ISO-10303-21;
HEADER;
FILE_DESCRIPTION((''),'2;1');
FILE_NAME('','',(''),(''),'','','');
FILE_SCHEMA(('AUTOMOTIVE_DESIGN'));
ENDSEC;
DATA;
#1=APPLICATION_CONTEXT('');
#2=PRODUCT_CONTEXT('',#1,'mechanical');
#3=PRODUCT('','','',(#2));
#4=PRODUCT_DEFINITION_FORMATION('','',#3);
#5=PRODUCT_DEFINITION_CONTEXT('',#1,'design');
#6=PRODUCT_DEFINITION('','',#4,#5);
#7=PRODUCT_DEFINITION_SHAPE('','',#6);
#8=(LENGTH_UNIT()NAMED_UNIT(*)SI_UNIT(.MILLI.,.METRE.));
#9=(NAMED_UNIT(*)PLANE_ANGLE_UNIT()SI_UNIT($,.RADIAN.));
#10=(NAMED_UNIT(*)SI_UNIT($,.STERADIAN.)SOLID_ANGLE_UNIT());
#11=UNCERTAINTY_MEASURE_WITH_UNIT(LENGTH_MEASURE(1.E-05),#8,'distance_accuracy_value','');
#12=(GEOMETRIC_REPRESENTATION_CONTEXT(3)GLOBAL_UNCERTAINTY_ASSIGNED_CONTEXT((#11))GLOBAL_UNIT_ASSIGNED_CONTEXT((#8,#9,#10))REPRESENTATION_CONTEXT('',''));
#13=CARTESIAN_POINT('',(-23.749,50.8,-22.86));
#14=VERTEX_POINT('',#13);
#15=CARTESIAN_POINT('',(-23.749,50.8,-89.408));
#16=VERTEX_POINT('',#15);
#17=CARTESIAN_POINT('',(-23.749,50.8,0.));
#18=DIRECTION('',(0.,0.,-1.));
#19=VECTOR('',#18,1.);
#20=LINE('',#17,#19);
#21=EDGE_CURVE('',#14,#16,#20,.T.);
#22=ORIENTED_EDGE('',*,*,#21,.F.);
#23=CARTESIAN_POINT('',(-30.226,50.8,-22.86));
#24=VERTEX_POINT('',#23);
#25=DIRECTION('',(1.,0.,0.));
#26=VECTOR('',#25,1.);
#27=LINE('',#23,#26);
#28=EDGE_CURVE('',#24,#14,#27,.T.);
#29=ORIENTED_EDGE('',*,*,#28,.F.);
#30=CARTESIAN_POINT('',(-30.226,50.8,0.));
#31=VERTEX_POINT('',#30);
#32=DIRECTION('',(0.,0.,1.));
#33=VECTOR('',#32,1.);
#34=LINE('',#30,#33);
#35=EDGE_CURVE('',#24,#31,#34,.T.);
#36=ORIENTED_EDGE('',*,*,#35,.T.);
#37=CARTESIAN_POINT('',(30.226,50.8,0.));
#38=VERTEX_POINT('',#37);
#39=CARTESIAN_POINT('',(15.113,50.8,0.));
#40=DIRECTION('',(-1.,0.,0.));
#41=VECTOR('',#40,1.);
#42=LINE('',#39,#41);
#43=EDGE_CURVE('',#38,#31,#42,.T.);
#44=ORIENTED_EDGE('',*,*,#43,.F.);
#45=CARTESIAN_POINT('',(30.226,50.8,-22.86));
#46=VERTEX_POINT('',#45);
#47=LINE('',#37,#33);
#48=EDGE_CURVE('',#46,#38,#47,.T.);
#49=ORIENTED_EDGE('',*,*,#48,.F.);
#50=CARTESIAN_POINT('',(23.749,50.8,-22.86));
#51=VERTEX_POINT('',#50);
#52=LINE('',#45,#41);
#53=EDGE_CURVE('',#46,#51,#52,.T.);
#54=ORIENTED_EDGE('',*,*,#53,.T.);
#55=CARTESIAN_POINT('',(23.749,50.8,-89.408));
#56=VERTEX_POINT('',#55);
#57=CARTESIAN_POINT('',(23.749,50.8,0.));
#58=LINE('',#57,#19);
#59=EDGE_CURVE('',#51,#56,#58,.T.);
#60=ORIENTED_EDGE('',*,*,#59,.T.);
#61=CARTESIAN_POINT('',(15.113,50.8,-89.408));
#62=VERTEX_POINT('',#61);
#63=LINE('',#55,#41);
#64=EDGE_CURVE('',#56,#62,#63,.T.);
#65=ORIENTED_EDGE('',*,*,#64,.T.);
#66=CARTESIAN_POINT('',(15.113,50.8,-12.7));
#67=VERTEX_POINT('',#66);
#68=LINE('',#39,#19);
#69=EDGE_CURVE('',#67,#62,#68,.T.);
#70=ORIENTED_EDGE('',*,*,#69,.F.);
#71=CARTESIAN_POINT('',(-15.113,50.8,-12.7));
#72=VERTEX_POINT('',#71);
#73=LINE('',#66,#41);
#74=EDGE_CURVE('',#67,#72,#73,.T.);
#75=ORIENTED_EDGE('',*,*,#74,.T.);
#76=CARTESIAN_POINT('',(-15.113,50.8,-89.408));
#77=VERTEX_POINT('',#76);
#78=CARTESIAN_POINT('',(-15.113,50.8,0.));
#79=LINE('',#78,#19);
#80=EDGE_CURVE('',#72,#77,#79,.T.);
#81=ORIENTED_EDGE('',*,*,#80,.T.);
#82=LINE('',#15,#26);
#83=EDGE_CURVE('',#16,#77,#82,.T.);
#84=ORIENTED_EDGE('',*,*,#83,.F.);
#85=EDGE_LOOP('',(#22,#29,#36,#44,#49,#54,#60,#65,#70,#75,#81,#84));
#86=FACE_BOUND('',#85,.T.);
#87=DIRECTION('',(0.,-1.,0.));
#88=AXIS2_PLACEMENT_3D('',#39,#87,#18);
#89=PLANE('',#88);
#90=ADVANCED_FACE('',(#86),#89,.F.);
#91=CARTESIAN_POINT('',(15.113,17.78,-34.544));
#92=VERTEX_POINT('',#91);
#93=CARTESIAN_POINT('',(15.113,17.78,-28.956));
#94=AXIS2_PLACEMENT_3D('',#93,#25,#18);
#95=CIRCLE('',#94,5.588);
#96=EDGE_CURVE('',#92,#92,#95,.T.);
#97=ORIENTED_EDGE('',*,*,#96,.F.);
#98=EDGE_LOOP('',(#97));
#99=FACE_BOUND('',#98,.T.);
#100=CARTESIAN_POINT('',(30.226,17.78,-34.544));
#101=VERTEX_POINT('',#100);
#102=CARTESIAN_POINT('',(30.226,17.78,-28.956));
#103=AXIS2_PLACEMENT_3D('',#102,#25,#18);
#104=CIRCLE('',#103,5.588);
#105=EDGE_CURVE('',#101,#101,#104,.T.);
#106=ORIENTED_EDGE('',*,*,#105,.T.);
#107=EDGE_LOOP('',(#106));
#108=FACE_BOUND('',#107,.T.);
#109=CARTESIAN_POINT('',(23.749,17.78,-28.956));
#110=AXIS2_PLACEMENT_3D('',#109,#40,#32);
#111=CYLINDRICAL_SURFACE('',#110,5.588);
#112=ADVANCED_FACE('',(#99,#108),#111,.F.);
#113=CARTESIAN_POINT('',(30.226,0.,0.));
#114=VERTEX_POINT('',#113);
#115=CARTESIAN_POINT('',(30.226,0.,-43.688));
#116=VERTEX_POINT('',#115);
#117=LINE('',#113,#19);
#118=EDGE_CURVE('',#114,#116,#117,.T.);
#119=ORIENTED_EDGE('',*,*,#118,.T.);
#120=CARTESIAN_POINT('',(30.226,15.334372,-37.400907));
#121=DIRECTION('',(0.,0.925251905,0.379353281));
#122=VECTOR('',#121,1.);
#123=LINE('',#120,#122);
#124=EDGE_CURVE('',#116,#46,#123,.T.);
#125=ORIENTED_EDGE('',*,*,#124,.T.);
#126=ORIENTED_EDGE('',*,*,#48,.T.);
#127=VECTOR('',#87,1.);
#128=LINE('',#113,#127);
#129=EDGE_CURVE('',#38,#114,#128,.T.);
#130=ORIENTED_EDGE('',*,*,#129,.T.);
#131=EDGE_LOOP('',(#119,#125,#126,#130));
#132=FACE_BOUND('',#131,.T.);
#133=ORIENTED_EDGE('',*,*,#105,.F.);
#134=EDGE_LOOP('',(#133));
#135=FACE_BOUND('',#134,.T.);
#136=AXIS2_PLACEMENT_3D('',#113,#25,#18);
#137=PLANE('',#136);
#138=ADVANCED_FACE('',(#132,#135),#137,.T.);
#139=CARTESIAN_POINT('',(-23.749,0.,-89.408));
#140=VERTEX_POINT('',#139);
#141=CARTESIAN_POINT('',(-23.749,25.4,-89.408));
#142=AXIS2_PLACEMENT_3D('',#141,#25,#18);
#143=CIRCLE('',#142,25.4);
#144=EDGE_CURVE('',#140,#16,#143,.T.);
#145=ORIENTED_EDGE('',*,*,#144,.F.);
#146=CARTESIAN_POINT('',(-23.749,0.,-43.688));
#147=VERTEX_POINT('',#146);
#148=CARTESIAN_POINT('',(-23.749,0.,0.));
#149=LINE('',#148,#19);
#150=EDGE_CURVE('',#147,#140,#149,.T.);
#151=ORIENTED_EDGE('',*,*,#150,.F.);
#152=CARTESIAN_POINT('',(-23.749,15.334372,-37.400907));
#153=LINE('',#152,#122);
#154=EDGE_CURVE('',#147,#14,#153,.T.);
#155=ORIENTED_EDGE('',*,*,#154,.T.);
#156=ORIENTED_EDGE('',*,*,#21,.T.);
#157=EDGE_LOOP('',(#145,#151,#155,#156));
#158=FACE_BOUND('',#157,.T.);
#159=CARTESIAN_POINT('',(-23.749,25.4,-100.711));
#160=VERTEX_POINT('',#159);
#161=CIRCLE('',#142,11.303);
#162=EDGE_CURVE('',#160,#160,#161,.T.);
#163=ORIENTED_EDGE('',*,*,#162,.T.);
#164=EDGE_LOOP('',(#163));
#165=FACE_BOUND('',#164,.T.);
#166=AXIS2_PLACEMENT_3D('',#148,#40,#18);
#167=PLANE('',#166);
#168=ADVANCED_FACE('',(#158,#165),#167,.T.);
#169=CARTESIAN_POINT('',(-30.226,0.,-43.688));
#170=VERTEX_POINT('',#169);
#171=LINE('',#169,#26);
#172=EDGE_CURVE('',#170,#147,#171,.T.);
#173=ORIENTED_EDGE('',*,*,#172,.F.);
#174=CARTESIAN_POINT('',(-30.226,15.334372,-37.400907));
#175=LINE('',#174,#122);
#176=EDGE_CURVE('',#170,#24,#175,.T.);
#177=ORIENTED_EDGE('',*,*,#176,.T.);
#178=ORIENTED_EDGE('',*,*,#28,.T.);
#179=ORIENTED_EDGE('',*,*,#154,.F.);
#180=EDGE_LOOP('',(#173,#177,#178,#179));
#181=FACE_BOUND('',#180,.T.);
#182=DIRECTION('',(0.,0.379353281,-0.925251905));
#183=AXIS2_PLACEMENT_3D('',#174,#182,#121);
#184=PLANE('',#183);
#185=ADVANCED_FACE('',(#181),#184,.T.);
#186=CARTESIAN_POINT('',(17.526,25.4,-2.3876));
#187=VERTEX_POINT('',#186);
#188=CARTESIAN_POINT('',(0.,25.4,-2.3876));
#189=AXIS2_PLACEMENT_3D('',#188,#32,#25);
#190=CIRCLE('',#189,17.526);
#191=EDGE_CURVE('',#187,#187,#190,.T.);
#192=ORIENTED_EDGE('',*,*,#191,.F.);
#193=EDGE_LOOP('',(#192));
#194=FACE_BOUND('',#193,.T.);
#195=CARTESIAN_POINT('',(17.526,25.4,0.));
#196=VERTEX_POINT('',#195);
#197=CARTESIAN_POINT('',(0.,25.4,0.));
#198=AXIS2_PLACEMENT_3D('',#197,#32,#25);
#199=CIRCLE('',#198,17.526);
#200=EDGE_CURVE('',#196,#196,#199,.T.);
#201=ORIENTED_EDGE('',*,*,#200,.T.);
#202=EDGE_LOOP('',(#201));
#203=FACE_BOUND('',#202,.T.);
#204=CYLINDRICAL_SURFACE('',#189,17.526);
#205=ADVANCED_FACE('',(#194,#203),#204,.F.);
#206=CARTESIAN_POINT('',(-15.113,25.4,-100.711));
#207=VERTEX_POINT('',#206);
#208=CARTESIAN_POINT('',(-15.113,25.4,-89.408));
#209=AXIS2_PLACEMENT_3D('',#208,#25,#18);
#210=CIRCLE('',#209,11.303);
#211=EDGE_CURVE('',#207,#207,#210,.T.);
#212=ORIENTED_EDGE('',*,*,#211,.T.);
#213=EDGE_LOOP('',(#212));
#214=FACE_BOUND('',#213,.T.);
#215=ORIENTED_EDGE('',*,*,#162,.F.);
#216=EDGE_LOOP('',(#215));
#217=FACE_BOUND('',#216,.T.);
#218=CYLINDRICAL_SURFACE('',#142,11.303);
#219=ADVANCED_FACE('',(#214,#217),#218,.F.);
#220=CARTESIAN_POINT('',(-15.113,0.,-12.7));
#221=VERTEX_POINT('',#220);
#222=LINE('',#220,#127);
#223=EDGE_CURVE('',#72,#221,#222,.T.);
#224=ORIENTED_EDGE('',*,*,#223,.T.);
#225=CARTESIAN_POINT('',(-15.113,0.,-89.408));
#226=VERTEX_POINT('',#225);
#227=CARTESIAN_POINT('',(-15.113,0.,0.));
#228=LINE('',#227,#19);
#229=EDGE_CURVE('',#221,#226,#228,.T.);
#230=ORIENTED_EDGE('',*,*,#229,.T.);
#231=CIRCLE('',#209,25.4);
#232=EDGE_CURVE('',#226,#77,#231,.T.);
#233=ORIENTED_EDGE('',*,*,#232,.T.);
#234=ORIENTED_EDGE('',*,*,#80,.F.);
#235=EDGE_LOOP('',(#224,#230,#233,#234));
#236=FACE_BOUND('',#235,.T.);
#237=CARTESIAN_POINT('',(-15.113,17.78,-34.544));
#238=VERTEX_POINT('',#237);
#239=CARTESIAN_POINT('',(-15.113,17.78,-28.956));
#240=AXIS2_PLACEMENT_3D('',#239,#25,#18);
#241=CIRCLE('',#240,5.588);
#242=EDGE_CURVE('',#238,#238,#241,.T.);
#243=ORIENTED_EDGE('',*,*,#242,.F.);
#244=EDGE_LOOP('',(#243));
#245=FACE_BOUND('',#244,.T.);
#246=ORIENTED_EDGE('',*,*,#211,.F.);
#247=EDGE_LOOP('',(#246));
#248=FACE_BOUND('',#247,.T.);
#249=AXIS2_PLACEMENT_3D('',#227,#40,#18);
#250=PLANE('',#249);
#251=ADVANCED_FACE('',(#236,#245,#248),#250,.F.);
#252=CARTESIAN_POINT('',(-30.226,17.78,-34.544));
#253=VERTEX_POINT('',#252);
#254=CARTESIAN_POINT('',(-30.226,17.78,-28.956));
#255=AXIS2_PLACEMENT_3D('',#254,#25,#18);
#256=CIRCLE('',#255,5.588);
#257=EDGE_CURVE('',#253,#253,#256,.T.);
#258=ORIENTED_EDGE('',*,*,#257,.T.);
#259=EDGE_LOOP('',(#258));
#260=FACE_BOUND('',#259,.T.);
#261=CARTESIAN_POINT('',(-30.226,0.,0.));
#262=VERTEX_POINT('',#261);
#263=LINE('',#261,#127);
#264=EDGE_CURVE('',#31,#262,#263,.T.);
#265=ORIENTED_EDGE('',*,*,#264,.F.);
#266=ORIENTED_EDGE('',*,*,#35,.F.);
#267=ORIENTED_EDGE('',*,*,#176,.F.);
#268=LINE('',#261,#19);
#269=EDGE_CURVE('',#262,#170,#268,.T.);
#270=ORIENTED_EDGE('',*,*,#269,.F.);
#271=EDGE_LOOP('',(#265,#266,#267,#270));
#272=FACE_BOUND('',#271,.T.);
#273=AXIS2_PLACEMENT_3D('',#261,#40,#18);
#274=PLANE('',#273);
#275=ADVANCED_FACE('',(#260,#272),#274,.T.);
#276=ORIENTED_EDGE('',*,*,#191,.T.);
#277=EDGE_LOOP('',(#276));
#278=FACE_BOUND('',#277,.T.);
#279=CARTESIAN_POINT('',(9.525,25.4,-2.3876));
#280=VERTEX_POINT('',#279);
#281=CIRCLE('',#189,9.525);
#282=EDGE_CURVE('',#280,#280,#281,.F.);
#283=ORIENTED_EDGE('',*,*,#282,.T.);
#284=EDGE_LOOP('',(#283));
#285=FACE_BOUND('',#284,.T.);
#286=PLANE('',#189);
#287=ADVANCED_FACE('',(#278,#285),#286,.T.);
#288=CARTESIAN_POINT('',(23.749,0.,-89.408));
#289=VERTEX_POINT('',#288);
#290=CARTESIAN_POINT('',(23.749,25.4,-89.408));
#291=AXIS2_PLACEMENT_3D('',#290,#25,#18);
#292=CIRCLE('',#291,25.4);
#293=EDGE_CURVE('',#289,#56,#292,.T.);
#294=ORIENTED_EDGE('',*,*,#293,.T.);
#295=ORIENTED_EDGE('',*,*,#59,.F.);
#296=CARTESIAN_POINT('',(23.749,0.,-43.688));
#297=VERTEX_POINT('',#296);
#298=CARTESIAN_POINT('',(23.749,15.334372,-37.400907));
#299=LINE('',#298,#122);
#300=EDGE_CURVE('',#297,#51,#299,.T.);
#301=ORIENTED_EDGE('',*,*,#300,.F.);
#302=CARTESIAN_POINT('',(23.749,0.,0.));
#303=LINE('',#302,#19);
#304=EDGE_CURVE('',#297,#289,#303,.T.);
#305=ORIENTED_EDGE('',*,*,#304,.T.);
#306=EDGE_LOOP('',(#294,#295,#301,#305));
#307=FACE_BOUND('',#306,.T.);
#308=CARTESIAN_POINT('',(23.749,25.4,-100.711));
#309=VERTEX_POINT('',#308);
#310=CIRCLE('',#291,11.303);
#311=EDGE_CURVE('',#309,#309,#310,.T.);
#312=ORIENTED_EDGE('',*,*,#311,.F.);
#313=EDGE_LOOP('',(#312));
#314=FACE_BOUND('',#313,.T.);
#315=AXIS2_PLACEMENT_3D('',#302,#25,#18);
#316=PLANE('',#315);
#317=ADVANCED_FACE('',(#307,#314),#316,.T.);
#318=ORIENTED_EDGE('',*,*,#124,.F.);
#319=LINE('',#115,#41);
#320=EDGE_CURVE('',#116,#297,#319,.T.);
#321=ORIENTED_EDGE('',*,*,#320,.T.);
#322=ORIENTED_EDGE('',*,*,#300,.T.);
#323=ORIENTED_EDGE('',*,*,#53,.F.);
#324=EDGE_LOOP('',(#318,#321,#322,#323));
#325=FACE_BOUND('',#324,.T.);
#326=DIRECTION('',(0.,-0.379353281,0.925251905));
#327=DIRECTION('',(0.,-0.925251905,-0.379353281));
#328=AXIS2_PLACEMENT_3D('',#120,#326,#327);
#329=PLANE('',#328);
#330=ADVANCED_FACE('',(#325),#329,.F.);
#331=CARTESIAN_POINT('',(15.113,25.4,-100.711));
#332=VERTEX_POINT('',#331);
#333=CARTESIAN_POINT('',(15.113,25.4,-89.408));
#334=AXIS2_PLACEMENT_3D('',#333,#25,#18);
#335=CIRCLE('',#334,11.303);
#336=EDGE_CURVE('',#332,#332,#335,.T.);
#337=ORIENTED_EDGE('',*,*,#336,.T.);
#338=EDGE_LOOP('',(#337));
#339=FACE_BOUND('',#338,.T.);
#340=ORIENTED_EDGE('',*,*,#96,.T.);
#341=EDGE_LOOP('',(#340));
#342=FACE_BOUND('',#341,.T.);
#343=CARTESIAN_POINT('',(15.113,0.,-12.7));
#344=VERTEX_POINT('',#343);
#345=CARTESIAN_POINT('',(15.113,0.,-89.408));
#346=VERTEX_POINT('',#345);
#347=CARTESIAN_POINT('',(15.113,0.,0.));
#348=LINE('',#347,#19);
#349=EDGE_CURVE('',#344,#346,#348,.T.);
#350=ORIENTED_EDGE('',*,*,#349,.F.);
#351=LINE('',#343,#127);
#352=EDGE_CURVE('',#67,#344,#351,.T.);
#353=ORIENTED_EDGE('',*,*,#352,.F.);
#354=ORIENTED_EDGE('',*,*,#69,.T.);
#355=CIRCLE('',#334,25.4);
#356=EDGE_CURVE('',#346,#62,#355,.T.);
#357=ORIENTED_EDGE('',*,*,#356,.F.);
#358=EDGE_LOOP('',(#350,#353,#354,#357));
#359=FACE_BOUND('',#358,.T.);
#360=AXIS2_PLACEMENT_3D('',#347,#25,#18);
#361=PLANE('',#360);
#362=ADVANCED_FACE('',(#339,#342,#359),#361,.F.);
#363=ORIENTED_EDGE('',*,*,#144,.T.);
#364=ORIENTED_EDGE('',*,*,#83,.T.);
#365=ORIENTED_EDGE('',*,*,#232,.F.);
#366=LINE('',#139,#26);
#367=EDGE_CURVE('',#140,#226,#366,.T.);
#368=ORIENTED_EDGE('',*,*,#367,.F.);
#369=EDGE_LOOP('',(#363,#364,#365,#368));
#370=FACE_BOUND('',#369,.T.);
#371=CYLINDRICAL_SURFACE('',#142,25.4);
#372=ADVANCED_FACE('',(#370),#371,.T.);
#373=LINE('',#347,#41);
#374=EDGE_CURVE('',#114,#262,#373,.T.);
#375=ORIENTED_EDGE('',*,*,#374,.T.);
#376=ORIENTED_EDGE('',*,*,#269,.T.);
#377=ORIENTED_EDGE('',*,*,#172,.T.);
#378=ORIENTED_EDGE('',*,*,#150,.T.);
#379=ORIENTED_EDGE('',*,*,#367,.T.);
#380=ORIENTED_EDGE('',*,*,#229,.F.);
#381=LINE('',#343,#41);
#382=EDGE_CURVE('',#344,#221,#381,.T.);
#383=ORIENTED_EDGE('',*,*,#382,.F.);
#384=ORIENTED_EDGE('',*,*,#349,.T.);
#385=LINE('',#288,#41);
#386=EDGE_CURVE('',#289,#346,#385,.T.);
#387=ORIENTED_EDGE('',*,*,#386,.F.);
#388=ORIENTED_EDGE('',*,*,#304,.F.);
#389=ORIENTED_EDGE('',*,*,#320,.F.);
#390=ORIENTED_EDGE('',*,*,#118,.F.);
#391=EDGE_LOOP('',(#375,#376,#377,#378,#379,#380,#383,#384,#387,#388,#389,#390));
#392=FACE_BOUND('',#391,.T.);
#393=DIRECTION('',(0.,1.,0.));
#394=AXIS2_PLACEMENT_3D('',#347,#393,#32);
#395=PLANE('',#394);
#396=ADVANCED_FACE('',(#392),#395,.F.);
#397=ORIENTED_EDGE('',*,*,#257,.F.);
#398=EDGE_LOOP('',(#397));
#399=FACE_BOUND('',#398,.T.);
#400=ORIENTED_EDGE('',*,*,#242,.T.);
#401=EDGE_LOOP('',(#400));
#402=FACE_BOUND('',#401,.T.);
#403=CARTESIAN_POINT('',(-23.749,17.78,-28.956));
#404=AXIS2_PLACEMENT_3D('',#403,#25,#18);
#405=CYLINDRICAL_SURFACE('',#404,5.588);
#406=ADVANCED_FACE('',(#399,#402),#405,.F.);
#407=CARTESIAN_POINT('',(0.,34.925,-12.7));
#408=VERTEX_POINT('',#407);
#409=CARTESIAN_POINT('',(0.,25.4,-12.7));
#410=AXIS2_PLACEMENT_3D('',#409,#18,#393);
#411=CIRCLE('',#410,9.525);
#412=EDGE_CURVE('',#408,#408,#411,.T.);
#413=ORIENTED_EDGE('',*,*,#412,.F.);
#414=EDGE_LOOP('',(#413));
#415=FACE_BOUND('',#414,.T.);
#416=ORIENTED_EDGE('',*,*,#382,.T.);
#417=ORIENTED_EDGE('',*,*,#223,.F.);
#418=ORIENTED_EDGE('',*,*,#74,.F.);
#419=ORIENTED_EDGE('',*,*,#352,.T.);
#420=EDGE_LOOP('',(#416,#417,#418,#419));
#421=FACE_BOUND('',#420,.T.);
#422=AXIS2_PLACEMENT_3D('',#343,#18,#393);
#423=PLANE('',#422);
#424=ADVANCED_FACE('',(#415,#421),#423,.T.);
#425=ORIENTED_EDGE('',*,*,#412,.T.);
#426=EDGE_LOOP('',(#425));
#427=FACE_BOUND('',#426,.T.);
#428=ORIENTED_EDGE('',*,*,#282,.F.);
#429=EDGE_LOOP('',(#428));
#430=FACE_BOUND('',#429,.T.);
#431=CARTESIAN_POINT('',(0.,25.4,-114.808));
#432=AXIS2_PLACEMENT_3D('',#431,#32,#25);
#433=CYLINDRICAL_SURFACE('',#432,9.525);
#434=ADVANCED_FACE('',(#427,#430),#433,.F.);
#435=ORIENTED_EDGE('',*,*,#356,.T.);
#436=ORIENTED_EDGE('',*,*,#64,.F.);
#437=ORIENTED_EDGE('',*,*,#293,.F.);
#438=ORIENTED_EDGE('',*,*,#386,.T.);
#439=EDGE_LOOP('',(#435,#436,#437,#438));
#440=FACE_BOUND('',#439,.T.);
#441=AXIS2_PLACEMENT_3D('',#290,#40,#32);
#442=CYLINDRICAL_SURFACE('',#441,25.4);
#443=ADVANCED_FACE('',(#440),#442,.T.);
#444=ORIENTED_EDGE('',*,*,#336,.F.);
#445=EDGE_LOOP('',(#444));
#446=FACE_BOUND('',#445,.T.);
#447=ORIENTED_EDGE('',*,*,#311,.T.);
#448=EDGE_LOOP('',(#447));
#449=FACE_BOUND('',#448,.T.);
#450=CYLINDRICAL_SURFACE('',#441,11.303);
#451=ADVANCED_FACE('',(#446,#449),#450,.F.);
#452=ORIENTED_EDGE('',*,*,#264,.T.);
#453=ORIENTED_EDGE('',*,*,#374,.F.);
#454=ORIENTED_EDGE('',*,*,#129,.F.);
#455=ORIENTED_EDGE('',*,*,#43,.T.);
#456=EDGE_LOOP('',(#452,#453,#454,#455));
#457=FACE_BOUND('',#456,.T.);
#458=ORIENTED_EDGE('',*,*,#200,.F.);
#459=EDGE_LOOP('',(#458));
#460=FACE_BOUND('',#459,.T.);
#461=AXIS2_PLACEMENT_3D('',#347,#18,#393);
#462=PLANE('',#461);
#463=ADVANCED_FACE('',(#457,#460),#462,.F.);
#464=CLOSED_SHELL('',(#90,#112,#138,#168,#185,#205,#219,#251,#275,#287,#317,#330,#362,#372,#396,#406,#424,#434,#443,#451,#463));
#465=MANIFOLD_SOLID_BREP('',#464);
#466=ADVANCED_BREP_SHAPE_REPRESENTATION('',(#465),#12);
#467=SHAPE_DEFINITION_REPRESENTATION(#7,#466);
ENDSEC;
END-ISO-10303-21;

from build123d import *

# Parameters (mm, degrees)
SKETCH1_W           = 12.7
SKETCH1_H           = 50.8
BOSS_EXTRUDE1_DEPTH = 15.113
BOSS_EXTRUDE2_START = 15.113
SKETCH1_3_R         = 5.588
SKETCH1_3_R_2       = 11.303
BOSS_EXTRUDE2_DEPTH = 8.636
BOSS_EXTRUDE3_START = 23.749
SKETCH1_4_R         = 5.588
BOSS_EXTRUDE3_DEPTH = 6.477
SKETCH2_R           = 9.525
CUT_EXTRUDE1_DEPTH  = 130.132211086
SKETCH3_R           = 17.526
CUT_EXTRUDE2_DEPTH  = 2.3876


with BuildPart() as part:
    # Sketch1 → Boss-Extrude1 (new body)
    with BuildSketch(Plane(origin=(0, 0, 0), x_dir=(0, 0, -1), z_dir=(1, 0, 0))):
        with Locations((6.35, 25.4)):
            Rectangle(SKETCH1_W, SKETCH1_H)
    boss_extrude1 = extrude(amount=BOSS_EXTRUDE1_DEPTH)

    # Sketch1<3> → Boss-Extrude2 (add)
    with BuildSketch(Plane(origin=(0, 0, 0), x_dir=(0, 0, -1), z_dir=(1, 0, 0)).offset(BOSS_EXTRUDE2_START)):
        with BuildLine():
            Line((0, 50.8), (0, 0))
            Line((0, 0), (89.408, 0))
            ThreePointArc((89.408, 0), (114.808, 25.4), (89.408, 50.8))
            Line((89.408, 50.8), (0, 50.8))
        make_face()
        with Locations((28.956, 17.78)):
            Circle(SKETCH1_3_R, mode=Mode.SUBTRACT)
        with Locations((89.408, 25.4)):
            Circle(SKETCH1_3_R_2, mode=Mode.SUBTRACT)
    boss_extrude2 = extrude(amount=BOSS_EXTRUDE2_DEPTH)

    # Sketch1<4> → Boss-Extrude3 (add)
    with BuildSketch(Plane(origin=(0, 0, 0), x_dir=(0, 0, -1), z_dir=(1, 0, 0)).offset(BOSS_EXTRUDE3_START)):
        Polygon((0, 50.8), (0, 0), (43.688, 0), (22.86, 50.8), align=None)
        with Locations((28.956, 17.78)):
            Circle(SKETCH1_4_R, mode=Mode.SUBTRACT)
    boss_extrude3 = extrude(amount=BOSS_EXTRUDE3_DEPTH)

    # Mirror1: Boss-Extrude1, Boss-Extrude2, Boss-Extrude3 across plane
    add(boss_extrude1.mirror(Plane(origin=(0, 0, 0), x_dir=(0, 0, 1), z_dir=(1, 0, 0))))
    add(boss_extrude2.mirror(Plane(origin=(0, 0, 0), x_dir=(0, 0, 1), z_dir=(1, 0, 0))))
    add(boss_extrude3.mirror(Plane(origin=(0, 0, 0), x_dir=(0, 0, 1), z_dir=(1, 0, 0))))

    # Sketch2 → Cut-Extrude1 (cut, through all)
    with BuildSketch(Plane.XY):
        with Locations((0, 25.4)):
            Circle(SKETCH2_R)
    extrude(amount=-CUT_EXTRUDE1_DEPTH, mode=Mode.SUBTRACT)

    # Sketch3 → Cut-Extrude2 (cut)
    with BuildSketch(Plane.XY):
        with Locations((0, 25.4)):
            Circle(SKETCH3_R)
    extrude(amount=-CUT_EXTRUDE2_DEPTH, mode=Mode.SUBTRACT)


solid = part.part
